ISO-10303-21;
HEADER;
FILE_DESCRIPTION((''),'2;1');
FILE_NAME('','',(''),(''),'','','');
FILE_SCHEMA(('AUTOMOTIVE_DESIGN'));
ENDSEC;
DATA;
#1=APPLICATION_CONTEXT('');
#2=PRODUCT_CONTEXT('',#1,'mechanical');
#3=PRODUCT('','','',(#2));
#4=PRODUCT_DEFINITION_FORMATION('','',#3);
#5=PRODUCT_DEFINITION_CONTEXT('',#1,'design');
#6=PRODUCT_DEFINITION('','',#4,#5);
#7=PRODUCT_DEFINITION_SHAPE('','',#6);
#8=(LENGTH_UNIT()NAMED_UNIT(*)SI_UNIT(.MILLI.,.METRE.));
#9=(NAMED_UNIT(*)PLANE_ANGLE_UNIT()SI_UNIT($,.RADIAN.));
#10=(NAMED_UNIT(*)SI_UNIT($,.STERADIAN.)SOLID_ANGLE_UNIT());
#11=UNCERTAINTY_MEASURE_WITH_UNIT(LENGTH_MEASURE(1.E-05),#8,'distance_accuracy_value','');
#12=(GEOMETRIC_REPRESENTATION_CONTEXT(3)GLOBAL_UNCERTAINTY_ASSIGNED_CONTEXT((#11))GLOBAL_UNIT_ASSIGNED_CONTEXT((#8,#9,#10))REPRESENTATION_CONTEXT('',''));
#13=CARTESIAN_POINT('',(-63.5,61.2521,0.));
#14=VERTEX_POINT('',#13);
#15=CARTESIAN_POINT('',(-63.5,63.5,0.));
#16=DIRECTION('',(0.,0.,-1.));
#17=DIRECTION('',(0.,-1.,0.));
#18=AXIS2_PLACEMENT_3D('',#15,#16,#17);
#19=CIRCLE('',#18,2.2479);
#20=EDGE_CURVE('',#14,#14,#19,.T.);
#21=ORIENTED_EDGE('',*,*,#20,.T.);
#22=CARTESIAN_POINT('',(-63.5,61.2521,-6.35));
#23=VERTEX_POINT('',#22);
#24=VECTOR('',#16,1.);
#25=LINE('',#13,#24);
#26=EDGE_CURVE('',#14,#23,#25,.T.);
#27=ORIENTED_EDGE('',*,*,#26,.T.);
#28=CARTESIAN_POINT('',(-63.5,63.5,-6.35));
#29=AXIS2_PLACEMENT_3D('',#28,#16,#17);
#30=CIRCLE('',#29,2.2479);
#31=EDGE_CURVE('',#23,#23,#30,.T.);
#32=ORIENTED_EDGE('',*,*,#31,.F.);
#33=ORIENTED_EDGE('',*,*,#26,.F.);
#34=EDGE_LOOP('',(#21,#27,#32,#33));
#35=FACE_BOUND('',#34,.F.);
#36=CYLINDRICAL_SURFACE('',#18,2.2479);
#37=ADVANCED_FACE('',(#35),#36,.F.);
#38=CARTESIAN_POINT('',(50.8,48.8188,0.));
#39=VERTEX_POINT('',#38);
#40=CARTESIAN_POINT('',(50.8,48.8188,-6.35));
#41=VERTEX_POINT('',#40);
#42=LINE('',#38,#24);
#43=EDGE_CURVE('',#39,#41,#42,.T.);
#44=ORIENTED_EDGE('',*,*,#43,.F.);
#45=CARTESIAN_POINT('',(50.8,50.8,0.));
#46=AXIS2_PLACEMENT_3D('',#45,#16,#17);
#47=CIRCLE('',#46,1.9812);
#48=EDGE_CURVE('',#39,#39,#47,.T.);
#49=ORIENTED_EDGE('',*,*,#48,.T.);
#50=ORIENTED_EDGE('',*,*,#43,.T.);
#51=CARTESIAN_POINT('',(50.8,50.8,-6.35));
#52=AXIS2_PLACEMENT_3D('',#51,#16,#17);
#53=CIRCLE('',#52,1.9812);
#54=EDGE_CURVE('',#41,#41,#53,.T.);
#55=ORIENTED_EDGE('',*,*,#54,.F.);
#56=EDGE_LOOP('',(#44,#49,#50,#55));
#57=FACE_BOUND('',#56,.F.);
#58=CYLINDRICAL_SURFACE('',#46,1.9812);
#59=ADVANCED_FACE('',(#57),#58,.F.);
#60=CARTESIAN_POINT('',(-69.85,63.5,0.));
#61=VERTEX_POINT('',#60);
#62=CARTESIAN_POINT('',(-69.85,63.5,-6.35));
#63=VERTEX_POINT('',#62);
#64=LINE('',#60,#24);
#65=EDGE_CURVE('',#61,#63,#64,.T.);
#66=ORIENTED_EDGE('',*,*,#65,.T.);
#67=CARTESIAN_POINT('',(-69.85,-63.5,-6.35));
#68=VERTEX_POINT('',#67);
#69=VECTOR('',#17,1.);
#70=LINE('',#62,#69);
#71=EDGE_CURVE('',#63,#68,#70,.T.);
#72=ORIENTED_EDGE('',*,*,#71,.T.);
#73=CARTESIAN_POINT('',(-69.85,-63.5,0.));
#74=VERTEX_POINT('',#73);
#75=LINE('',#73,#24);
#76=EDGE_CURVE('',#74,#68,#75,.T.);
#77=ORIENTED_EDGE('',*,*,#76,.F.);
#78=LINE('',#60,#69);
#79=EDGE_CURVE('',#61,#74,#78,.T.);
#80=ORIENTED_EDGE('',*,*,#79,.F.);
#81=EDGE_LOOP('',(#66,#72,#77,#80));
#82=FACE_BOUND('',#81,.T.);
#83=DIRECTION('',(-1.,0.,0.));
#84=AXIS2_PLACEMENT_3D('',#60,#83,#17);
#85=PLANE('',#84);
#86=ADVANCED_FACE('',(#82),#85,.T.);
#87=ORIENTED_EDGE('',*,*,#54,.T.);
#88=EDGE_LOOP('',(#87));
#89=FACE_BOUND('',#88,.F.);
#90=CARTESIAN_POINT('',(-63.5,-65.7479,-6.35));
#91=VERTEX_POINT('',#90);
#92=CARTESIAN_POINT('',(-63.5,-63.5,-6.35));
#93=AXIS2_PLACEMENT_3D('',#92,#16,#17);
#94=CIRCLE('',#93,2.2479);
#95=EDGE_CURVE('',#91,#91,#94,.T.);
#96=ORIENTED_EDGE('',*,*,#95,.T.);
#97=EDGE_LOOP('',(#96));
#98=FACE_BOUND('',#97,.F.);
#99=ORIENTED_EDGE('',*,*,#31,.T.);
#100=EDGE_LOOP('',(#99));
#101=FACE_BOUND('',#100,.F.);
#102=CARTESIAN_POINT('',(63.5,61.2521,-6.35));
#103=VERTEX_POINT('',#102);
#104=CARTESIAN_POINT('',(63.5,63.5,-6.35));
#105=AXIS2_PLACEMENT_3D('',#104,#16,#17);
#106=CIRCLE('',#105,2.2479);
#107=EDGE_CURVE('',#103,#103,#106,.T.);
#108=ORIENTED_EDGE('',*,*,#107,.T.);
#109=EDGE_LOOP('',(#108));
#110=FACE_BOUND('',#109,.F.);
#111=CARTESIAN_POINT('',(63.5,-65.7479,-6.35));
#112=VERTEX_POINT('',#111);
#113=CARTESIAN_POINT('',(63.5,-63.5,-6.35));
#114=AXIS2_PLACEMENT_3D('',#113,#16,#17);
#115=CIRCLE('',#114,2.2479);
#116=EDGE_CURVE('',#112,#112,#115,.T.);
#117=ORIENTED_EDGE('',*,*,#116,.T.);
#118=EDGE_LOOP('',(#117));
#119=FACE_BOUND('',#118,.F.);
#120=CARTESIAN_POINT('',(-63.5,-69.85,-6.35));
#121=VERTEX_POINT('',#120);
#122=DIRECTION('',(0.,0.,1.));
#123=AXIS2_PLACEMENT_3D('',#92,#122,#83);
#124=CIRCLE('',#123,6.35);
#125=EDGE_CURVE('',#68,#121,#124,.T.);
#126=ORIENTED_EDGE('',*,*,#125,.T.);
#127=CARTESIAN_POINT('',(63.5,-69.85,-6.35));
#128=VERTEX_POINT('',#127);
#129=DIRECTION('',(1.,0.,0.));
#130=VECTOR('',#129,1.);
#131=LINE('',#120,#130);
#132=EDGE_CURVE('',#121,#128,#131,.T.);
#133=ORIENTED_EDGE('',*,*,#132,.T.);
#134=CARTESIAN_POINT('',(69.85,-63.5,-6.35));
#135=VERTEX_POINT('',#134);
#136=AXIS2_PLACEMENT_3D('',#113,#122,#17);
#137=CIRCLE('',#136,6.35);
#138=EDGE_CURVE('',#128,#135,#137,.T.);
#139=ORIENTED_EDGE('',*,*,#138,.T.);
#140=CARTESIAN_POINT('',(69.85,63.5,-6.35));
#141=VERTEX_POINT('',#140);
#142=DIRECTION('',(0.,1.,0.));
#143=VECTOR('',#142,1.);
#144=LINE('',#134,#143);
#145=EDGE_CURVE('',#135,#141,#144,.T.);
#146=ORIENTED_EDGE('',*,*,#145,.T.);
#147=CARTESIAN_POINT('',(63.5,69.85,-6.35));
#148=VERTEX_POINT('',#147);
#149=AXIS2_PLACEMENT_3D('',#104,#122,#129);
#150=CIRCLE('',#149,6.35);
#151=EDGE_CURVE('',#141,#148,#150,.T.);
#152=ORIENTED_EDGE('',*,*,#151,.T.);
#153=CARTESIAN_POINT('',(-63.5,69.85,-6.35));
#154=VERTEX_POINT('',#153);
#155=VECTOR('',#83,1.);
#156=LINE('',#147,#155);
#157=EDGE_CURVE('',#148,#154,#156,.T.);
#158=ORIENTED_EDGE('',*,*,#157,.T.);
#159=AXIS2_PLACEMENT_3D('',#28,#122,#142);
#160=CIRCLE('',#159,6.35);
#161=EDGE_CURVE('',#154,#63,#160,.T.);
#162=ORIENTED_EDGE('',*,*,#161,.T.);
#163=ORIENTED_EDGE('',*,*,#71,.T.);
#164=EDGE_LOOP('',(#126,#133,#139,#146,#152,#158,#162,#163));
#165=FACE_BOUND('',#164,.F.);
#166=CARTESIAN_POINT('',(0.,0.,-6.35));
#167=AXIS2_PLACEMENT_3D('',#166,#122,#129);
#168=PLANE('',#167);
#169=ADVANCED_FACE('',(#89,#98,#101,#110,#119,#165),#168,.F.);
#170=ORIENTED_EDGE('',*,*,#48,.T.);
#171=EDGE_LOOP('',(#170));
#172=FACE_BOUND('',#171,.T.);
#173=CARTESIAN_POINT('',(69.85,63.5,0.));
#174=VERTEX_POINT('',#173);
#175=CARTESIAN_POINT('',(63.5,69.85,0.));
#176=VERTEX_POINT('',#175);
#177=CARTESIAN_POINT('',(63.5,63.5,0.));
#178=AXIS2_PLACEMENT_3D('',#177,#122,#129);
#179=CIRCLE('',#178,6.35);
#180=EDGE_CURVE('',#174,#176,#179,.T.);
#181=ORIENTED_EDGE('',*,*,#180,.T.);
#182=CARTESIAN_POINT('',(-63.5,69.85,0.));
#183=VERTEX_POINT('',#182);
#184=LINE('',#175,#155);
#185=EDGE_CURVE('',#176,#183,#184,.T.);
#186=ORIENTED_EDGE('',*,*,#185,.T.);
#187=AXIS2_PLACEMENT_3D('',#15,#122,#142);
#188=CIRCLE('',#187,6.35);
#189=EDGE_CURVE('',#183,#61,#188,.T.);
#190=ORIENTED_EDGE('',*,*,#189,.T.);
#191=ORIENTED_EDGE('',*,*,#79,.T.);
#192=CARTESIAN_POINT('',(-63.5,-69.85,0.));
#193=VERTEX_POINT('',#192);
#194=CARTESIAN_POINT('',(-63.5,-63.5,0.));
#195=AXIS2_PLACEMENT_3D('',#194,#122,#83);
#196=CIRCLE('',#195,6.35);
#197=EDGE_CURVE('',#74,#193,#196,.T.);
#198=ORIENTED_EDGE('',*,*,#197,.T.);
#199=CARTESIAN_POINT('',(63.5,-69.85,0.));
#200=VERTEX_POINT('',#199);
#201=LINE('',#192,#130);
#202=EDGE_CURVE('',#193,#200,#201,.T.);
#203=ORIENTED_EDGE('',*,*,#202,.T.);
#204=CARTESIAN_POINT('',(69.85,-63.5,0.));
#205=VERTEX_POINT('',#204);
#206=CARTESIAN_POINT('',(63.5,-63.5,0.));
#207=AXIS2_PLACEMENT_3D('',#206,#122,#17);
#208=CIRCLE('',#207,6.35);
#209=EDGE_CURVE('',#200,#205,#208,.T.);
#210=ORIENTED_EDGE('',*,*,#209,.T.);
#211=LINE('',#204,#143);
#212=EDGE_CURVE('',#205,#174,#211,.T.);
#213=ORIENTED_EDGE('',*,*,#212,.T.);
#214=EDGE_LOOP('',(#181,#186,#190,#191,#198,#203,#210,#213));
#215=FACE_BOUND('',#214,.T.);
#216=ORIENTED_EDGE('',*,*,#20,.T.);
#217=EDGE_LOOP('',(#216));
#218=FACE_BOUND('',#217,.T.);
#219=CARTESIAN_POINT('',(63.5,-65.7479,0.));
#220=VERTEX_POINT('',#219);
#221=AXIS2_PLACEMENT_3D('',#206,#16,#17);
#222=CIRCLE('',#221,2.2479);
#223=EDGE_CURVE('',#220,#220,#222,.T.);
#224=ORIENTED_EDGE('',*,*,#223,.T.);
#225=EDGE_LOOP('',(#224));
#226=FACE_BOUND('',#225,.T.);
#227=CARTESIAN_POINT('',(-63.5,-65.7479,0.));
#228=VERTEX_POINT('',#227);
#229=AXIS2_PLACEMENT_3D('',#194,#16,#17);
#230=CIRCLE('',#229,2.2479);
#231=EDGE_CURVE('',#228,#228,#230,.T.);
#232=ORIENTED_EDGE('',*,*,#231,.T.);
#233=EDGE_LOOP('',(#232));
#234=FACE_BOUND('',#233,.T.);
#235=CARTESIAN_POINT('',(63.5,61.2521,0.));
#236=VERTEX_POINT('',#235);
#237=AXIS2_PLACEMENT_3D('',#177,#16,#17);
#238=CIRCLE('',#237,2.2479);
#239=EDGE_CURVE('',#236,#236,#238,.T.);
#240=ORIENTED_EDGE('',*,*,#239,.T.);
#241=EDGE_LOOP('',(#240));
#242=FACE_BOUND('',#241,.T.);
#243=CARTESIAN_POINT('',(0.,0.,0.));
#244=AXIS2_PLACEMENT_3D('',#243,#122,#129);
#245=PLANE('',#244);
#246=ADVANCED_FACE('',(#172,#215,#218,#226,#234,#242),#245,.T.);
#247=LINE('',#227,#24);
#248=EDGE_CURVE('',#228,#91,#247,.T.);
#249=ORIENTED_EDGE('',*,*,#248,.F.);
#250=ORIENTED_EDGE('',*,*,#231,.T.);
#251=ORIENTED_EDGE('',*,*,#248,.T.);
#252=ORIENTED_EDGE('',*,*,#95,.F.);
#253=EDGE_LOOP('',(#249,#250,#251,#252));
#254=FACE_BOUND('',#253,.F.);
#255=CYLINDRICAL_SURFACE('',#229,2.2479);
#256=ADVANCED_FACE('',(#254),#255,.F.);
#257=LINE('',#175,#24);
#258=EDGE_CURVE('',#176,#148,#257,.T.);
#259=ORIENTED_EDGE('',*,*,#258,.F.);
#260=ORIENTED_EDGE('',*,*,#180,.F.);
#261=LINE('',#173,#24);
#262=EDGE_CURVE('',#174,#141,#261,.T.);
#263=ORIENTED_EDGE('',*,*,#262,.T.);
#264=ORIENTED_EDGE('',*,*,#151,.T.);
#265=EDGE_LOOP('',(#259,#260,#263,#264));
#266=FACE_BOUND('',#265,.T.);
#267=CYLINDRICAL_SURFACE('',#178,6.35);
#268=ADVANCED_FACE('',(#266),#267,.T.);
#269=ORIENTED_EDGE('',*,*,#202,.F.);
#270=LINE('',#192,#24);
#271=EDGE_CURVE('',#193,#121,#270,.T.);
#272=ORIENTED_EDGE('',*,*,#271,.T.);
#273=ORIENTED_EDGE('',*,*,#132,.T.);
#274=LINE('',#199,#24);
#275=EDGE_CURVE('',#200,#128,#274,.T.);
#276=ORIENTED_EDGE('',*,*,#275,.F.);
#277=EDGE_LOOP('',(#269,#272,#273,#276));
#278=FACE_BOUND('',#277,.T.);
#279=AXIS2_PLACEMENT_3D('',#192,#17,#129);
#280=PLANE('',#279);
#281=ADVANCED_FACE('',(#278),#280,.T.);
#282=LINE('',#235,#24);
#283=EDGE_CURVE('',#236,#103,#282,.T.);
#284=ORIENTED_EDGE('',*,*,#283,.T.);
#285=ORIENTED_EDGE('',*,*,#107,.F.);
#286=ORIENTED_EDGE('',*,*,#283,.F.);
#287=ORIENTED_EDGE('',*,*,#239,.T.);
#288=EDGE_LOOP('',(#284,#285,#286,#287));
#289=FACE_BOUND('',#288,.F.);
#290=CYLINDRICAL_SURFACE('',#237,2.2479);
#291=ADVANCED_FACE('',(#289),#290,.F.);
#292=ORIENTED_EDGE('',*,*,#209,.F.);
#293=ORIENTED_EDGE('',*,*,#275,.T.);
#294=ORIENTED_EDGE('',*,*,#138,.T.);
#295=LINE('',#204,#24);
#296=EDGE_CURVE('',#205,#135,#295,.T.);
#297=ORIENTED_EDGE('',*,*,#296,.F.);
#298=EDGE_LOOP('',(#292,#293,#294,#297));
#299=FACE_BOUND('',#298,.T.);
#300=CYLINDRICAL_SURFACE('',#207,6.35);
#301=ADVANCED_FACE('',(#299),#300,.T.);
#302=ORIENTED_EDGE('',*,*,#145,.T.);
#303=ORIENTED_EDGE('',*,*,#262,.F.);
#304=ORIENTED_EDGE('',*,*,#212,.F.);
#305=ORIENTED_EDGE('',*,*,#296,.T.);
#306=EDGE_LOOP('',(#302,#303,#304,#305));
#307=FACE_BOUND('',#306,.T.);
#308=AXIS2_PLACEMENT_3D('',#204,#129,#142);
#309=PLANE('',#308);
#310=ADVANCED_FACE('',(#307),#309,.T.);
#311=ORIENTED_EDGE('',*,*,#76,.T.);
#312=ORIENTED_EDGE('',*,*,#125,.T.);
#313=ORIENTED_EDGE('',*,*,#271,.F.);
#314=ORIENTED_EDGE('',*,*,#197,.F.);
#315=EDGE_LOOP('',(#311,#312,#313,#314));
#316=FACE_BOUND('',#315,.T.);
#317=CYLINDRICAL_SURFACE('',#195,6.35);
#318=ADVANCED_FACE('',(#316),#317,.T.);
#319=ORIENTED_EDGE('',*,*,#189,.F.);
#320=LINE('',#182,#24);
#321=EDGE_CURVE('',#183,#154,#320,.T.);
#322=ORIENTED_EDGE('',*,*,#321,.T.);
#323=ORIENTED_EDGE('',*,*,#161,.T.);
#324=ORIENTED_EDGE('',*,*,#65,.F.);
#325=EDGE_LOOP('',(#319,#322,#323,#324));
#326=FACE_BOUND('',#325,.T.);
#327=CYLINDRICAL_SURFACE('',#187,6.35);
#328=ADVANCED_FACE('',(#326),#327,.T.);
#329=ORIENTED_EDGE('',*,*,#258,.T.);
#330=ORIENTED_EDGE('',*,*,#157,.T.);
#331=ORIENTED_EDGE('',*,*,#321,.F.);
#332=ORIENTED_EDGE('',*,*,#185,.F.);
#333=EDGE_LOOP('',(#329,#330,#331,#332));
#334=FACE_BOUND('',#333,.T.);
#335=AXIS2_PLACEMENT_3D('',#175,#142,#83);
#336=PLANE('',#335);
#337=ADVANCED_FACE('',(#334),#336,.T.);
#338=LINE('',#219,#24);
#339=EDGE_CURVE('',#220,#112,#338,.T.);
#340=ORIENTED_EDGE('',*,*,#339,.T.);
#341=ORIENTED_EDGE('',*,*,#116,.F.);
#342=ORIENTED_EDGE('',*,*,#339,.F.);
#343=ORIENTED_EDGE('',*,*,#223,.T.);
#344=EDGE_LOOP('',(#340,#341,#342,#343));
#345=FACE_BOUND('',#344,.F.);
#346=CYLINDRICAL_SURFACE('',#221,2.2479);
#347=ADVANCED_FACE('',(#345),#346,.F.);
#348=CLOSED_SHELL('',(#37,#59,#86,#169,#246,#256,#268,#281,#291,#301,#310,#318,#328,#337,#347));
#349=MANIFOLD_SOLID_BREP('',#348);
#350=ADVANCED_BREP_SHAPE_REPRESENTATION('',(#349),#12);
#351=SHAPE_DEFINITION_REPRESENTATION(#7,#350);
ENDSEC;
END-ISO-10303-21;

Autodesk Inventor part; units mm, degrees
ref_plane "YZ Plane" through (0, 0, 0) normal (1, 0, 0) x (0, 1, 0)
ref_plane "XZ Plane" through (0, 0, 0) normal (0, 1, 0) x (-1, 0, 0)
ref_plane "XY Plane" through (0, 0, 0) normal (0, 0, 1) x (1, 0, 0)
sketch "Sketch1" plane through (0, 0, 0) normal (0, 0, 1) x (1, 0, 0)
  line L0 (-63.5, -69.85) -> (63.5, -69.85)
  line L1 (69.85, -63.5) -> (69.85, 63.5)
  line L2 (63.5, 69.85) -> (-63.5, 69.85)
  line L3 (-69.85, 63.5) -> (-69.85, -63.5)
  arc A0 (-63.5, 69.85) -> (-69.85, 63.5) centre (-63.5, 63.5) ccw
  arc A1 (69.85, 63.5) -> (63.5, 69.85) centre (63.5, 63.5) ccw
  arc A2 (63.5, -69.85) -> (69.85, -63.5) centre (63.5, -63.5) ccw
  arc A3 (-69.85, -63.5) -> (-63.5, -69.85) centre (-63.5, -63.5) ccw
  point P0 (0, 0)
  point P1 (69.85, 0)
  point P2 (0, 69.85)
  point P3 (50.8, 50.8)
  dimension "d0" = 139.7
  dimension "d1" = 139.7
  dimension "d2" = 6.35
  dimension "d3" = 19.05
  dimension "d4" = 19.05
extrude "Extrusion1" add sketch "Sketch1" against normal blind 6.35
hole "Hole1" at (-63.5, 63.5, 0) at (63.5, 63.5, 0) at (63.5, -63.5, 0) at (-63.5, -63.5, 0) direction (0, 0, -1) diameter 4.4958 end through all clearance for "Flat Head Machine Screw (82)" size "#8" standard "Ansi Unified Screw Threads"
hole "Hole2" at (50.8, 50.8, 0) direction (0, 0, -1) diameter 3.9624 end through all thread size "10-32 UNF" class "2B" standard "ANSI Unified Screw Threads"
equation "\"d1\" = d0"
equation "\"d4\" = d3"
properties part number "J007954" material "ACRYLIC, CLEAR"
